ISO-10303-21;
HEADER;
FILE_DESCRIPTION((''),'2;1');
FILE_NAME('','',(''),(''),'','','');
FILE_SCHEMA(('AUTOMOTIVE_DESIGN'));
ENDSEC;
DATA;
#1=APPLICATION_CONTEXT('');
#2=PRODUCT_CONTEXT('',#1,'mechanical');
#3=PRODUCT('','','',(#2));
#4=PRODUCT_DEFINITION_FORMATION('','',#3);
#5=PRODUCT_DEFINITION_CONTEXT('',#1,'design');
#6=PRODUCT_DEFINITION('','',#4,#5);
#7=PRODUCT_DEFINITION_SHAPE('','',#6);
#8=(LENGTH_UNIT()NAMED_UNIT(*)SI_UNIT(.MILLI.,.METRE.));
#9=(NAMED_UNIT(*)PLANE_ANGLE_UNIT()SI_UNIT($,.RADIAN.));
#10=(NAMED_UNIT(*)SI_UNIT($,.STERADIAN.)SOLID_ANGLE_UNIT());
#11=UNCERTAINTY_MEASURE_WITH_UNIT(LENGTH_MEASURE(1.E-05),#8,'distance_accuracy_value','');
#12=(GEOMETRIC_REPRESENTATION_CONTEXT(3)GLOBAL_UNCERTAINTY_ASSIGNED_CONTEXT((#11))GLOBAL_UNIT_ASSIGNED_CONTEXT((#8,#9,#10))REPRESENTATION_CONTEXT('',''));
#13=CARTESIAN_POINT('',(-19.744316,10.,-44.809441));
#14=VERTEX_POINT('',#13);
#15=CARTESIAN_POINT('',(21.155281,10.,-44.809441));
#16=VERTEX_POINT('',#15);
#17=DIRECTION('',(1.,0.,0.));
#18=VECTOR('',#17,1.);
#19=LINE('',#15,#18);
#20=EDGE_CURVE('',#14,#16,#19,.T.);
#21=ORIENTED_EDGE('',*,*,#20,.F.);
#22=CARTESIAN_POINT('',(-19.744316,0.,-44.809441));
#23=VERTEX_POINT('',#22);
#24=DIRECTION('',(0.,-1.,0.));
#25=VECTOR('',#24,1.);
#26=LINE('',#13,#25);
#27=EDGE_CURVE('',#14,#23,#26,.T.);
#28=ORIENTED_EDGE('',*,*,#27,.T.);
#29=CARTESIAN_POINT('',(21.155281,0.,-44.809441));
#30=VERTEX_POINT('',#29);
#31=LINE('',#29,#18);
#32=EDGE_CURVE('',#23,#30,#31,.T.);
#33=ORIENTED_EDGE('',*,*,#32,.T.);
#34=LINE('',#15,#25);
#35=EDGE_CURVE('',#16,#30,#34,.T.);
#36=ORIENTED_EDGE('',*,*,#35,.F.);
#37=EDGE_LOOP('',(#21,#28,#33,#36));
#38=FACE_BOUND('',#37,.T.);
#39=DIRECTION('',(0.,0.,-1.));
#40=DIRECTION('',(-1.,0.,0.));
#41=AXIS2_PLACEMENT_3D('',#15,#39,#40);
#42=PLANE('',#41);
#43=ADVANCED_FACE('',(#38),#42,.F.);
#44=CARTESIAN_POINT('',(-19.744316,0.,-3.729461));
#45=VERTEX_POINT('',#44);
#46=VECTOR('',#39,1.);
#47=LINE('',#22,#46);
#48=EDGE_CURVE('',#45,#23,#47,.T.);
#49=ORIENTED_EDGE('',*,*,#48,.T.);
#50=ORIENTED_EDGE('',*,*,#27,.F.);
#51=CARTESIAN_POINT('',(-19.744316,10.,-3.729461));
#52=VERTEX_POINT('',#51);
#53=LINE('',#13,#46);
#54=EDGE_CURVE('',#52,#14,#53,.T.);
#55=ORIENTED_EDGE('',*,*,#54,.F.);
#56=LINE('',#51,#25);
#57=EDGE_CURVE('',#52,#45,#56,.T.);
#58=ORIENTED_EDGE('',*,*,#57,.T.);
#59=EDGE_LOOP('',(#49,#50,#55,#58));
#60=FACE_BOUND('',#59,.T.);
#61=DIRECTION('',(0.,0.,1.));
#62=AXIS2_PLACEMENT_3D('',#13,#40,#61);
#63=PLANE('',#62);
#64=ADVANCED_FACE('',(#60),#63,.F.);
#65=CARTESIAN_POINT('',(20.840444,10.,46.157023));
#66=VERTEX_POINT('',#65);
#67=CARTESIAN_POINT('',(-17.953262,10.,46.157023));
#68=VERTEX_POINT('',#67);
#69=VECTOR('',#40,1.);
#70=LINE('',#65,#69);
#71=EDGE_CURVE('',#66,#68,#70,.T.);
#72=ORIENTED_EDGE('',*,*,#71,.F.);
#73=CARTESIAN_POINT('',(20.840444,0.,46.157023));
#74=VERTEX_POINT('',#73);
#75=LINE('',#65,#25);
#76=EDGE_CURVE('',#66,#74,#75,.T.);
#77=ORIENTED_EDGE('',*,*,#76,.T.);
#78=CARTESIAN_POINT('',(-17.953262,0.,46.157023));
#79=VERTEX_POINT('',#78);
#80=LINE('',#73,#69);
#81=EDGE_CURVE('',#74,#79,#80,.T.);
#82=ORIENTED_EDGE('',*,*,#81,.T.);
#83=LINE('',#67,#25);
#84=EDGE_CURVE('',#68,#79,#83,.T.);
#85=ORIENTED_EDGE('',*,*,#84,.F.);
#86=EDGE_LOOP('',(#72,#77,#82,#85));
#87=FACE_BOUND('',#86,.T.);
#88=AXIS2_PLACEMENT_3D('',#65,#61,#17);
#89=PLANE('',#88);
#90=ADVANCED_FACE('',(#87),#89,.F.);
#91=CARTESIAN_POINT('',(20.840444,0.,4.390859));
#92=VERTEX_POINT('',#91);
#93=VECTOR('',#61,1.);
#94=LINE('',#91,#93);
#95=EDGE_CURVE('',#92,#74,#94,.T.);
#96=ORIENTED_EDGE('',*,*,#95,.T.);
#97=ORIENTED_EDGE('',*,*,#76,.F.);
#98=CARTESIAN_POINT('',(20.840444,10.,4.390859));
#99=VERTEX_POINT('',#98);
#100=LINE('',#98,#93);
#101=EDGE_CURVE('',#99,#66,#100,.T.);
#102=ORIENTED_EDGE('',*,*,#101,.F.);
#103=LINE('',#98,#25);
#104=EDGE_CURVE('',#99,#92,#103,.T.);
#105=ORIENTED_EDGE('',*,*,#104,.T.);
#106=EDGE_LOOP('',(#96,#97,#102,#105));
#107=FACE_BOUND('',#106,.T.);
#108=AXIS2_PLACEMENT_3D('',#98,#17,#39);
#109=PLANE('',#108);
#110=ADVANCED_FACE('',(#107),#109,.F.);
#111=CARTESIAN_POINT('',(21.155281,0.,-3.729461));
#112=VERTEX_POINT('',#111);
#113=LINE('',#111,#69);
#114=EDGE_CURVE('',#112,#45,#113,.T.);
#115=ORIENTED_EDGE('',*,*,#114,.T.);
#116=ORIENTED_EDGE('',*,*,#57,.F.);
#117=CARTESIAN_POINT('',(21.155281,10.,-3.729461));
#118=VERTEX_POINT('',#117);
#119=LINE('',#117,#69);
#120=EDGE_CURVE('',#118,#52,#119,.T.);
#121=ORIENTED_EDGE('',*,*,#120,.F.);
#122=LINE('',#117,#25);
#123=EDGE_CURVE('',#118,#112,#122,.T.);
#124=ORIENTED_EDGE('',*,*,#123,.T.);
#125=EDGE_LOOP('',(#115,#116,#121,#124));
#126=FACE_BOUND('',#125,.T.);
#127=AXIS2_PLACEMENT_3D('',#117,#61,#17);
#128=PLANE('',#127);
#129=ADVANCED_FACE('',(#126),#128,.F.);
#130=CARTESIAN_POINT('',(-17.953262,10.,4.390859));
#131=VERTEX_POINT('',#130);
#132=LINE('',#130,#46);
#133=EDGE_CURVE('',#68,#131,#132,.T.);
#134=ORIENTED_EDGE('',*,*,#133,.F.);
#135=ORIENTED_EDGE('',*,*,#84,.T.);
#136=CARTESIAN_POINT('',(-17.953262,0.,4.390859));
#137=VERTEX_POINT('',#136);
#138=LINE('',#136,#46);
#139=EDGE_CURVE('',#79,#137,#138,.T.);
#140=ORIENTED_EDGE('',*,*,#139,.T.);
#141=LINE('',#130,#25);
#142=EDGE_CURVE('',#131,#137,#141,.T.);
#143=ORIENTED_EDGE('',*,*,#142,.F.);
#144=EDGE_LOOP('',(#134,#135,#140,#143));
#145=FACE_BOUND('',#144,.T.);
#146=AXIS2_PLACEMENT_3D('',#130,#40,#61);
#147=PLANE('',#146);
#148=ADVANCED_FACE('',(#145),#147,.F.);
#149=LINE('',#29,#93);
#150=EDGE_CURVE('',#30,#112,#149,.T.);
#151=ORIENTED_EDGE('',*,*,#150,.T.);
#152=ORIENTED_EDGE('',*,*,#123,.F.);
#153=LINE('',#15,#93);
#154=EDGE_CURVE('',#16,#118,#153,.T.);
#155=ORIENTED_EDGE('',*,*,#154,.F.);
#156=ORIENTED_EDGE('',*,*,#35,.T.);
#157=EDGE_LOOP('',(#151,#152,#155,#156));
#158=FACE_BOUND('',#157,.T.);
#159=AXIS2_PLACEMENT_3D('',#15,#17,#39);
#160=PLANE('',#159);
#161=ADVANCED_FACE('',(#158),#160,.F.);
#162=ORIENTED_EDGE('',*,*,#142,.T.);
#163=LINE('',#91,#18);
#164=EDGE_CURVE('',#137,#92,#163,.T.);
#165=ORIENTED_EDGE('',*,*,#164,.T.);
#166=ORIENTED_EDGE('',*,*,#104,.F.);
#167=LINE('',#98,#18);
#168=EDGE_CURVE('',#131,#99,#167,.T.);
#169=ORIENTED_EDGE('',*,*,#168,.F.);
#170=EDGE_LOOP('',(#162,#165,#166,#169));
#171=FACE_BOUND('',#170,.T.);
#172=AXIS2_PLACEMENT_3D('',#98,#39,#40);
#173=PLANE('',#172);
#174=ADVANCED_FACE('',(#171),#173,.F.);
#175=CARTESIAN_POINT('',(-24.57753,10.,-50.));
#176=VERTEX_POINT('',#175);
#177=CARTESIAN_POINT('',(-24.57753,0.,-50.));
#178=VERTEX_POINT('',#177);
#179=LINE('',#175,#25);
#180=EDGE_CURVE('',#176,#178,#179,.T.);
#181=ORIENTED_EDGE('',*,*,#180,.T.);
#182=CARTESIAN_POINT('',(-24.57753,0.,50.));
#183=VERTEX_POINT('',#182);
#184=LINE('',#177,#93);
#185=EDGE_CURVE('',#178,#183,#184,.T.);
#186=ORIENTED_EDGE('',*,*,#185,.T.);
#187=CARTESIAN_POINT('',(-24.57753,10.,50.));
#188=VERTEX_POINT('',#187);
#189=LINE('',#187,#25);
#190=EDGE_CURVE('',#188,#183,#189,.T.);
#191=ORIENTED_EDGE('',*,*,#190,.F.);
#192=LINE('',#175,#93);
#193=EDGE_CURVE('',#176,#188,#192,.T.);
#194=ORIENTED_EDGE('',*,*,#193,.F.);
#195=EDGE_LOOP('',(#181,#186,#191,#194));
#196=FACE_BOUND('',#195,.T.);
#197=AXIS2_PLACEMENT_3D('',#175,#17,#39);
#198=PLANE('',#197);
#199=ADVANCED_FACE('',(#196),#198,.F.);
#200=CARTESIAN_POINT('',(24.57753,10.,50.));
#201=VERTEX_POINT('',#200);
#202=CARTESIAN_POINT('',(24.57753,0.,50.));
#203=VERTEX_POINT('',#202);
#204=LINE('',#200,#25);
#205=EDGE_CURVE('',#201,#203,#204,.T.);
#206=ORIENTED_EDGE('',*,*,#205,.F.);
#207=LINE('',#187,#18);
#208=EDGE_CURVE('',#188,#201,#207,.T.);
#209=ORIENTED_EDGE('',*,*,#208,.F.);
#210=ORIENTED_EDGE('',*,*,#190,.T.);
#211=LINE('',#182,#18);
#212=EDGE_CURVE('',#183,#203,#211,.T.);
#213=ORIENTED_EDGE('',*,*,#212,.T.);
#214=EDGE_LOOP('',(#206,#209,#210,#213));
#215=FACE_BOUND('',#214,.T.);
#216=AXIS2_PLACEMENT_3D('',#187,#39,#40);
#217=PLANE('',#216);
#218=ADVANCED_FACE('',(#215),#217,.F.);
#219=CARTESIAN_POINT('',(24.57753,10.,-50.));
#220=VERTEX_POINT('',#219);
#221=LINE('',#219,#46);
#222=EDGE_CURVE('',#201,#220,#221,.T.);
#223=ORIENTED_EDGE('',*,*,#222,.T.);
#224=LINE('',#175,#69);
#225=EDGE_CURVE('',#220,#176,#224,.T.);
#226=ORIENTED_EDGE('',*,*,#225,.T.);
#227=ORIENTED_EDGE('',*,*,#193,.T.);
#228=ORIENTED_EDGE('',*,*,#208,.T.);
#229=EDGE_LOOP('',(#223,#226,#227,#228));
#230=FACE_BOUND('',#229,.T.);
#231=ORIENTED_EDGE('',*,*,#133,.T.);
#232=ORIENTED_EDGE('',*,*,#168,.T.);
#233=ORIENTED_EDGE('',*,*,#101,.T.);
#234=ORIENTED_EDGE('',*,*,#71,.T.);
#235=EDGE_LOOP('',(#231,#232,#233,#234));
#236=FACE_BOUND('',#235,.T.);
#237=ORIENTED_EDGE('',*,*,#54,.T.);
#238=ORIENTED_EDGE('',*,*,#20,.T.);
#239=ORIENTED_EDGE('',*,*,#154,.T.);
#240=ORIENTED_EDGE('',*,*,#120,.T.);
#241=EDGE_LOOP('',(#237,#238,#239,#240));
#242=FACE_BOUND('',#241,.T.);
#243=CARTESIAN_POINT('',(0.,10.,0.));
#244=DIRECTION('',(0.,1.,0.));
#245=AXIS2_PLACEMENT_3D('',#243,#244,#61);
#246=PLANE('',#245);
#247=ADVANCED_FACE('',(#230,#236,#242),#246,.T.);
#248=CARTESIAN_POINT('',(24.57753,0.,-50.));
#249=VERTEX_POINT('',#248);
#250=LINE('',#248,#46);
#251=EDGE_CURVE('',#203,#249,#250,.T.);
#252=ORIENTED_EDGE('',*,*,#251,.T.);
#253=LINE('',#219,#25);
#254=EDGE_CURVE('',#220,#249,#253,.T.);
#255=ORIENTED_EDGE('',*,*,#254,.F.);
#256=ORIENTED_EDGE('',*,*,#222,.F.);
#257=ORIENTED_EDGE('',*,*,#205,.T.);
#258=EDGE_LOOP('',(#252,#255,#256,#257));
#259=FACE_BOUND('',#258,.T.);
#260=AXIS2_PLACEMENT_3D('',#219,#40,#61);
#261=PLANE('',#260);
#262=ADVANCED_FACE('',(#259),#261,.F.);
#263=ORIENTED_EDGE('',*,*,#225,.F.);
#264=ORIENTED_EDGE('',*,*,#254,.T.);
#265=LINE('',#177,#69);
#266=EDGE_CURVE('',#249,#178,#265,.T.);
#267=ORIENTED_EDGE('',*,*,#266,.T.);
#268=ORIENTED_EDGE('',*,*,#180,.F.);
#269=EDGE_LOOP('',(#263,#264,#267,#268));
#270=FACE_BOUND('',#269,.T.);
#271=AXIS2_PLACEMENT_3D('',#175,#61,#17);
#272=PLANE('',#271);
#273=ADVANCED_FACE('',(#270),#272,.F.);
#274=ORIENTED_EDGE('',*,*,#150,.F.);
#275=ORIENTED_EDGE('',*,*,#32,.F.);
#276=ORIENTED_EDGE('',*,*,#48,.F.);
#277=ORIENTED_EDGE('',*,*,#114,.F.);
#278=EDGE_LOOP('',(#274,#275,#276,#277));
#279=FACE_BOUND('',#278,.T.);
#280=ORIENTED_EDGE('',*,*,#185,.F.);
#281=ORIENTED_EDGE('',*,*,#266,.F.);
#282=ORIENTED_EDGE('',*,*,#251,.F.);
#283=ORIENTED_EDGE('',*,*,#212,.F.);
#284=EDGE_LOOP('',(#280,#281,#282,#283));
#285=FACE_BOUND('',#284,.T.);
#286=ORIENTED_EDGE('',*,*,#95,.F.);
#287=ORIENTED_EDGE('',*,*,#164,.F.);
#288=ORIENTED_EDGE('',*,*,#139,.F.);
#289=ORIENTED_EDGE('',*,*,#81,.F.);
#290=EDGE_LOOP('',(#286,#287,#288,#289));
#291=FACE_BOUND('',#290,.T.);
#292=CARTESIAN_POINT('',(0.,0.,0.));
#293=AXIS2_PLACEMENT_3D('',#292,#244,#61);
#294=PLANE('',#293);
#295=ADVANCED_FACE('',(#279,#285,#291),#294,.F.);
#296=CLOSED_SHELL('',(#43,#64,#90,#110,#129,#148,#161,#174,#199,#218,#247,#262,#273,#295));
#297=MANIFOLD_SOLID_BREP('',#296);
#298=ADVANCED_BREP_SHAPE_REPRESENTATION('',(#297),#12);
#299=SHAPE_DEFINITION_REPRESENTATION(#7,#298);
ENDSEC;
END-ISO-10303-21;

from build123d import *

# Parameters (mm, degrees)
SKETCH1_W           = 49.15505924
SKETCH1_H           = 100
BOSS_EXTRUDE1_DEPTH = 10
SKETCH2_W           = 40.899596349
SKETCH2_H           = 41.079980186
SKETCH2_W_2         = 38.793706507
SKETCH2_H_2         = 41.766163391
CUT_EXTRUDE1_DEPTH  = 57.604372289


with BuildPart() as part:
    # Sketch1 → Boss-Extrude1 (new body)
    with BuildSketch(Plane(origin=(0, 0, 0), x_dir=(1, 0, 0), z_dir=(0, 1, 0))):
        Rectangle(SKETCH1_W, SKETCH1_H)
    extrude(amount=BOSS_EXTRUDE1_DEPTH)

    # Sketch2 → Cut-Extrude1 (cut, through all)
    with BuildSketch(Plane(origin=(0, 0, 0), x_dir=(-1, 0, 0), z_dir=(0, -1, 0))):
        with Locations((-0.705482523, 24.26945138)):
            Rectangle(SKETCH2_W, SKETCH2_H)
        with Locations((-1.443590916, -25.27394091)):
            Rectangle(SKETCH2_W_2, SKETCH2_H_2)
    extrude(amount=-CUT_EXTRUDE1_DEPTH, mode=Mode.SUBTRACT)


solid = part.part
